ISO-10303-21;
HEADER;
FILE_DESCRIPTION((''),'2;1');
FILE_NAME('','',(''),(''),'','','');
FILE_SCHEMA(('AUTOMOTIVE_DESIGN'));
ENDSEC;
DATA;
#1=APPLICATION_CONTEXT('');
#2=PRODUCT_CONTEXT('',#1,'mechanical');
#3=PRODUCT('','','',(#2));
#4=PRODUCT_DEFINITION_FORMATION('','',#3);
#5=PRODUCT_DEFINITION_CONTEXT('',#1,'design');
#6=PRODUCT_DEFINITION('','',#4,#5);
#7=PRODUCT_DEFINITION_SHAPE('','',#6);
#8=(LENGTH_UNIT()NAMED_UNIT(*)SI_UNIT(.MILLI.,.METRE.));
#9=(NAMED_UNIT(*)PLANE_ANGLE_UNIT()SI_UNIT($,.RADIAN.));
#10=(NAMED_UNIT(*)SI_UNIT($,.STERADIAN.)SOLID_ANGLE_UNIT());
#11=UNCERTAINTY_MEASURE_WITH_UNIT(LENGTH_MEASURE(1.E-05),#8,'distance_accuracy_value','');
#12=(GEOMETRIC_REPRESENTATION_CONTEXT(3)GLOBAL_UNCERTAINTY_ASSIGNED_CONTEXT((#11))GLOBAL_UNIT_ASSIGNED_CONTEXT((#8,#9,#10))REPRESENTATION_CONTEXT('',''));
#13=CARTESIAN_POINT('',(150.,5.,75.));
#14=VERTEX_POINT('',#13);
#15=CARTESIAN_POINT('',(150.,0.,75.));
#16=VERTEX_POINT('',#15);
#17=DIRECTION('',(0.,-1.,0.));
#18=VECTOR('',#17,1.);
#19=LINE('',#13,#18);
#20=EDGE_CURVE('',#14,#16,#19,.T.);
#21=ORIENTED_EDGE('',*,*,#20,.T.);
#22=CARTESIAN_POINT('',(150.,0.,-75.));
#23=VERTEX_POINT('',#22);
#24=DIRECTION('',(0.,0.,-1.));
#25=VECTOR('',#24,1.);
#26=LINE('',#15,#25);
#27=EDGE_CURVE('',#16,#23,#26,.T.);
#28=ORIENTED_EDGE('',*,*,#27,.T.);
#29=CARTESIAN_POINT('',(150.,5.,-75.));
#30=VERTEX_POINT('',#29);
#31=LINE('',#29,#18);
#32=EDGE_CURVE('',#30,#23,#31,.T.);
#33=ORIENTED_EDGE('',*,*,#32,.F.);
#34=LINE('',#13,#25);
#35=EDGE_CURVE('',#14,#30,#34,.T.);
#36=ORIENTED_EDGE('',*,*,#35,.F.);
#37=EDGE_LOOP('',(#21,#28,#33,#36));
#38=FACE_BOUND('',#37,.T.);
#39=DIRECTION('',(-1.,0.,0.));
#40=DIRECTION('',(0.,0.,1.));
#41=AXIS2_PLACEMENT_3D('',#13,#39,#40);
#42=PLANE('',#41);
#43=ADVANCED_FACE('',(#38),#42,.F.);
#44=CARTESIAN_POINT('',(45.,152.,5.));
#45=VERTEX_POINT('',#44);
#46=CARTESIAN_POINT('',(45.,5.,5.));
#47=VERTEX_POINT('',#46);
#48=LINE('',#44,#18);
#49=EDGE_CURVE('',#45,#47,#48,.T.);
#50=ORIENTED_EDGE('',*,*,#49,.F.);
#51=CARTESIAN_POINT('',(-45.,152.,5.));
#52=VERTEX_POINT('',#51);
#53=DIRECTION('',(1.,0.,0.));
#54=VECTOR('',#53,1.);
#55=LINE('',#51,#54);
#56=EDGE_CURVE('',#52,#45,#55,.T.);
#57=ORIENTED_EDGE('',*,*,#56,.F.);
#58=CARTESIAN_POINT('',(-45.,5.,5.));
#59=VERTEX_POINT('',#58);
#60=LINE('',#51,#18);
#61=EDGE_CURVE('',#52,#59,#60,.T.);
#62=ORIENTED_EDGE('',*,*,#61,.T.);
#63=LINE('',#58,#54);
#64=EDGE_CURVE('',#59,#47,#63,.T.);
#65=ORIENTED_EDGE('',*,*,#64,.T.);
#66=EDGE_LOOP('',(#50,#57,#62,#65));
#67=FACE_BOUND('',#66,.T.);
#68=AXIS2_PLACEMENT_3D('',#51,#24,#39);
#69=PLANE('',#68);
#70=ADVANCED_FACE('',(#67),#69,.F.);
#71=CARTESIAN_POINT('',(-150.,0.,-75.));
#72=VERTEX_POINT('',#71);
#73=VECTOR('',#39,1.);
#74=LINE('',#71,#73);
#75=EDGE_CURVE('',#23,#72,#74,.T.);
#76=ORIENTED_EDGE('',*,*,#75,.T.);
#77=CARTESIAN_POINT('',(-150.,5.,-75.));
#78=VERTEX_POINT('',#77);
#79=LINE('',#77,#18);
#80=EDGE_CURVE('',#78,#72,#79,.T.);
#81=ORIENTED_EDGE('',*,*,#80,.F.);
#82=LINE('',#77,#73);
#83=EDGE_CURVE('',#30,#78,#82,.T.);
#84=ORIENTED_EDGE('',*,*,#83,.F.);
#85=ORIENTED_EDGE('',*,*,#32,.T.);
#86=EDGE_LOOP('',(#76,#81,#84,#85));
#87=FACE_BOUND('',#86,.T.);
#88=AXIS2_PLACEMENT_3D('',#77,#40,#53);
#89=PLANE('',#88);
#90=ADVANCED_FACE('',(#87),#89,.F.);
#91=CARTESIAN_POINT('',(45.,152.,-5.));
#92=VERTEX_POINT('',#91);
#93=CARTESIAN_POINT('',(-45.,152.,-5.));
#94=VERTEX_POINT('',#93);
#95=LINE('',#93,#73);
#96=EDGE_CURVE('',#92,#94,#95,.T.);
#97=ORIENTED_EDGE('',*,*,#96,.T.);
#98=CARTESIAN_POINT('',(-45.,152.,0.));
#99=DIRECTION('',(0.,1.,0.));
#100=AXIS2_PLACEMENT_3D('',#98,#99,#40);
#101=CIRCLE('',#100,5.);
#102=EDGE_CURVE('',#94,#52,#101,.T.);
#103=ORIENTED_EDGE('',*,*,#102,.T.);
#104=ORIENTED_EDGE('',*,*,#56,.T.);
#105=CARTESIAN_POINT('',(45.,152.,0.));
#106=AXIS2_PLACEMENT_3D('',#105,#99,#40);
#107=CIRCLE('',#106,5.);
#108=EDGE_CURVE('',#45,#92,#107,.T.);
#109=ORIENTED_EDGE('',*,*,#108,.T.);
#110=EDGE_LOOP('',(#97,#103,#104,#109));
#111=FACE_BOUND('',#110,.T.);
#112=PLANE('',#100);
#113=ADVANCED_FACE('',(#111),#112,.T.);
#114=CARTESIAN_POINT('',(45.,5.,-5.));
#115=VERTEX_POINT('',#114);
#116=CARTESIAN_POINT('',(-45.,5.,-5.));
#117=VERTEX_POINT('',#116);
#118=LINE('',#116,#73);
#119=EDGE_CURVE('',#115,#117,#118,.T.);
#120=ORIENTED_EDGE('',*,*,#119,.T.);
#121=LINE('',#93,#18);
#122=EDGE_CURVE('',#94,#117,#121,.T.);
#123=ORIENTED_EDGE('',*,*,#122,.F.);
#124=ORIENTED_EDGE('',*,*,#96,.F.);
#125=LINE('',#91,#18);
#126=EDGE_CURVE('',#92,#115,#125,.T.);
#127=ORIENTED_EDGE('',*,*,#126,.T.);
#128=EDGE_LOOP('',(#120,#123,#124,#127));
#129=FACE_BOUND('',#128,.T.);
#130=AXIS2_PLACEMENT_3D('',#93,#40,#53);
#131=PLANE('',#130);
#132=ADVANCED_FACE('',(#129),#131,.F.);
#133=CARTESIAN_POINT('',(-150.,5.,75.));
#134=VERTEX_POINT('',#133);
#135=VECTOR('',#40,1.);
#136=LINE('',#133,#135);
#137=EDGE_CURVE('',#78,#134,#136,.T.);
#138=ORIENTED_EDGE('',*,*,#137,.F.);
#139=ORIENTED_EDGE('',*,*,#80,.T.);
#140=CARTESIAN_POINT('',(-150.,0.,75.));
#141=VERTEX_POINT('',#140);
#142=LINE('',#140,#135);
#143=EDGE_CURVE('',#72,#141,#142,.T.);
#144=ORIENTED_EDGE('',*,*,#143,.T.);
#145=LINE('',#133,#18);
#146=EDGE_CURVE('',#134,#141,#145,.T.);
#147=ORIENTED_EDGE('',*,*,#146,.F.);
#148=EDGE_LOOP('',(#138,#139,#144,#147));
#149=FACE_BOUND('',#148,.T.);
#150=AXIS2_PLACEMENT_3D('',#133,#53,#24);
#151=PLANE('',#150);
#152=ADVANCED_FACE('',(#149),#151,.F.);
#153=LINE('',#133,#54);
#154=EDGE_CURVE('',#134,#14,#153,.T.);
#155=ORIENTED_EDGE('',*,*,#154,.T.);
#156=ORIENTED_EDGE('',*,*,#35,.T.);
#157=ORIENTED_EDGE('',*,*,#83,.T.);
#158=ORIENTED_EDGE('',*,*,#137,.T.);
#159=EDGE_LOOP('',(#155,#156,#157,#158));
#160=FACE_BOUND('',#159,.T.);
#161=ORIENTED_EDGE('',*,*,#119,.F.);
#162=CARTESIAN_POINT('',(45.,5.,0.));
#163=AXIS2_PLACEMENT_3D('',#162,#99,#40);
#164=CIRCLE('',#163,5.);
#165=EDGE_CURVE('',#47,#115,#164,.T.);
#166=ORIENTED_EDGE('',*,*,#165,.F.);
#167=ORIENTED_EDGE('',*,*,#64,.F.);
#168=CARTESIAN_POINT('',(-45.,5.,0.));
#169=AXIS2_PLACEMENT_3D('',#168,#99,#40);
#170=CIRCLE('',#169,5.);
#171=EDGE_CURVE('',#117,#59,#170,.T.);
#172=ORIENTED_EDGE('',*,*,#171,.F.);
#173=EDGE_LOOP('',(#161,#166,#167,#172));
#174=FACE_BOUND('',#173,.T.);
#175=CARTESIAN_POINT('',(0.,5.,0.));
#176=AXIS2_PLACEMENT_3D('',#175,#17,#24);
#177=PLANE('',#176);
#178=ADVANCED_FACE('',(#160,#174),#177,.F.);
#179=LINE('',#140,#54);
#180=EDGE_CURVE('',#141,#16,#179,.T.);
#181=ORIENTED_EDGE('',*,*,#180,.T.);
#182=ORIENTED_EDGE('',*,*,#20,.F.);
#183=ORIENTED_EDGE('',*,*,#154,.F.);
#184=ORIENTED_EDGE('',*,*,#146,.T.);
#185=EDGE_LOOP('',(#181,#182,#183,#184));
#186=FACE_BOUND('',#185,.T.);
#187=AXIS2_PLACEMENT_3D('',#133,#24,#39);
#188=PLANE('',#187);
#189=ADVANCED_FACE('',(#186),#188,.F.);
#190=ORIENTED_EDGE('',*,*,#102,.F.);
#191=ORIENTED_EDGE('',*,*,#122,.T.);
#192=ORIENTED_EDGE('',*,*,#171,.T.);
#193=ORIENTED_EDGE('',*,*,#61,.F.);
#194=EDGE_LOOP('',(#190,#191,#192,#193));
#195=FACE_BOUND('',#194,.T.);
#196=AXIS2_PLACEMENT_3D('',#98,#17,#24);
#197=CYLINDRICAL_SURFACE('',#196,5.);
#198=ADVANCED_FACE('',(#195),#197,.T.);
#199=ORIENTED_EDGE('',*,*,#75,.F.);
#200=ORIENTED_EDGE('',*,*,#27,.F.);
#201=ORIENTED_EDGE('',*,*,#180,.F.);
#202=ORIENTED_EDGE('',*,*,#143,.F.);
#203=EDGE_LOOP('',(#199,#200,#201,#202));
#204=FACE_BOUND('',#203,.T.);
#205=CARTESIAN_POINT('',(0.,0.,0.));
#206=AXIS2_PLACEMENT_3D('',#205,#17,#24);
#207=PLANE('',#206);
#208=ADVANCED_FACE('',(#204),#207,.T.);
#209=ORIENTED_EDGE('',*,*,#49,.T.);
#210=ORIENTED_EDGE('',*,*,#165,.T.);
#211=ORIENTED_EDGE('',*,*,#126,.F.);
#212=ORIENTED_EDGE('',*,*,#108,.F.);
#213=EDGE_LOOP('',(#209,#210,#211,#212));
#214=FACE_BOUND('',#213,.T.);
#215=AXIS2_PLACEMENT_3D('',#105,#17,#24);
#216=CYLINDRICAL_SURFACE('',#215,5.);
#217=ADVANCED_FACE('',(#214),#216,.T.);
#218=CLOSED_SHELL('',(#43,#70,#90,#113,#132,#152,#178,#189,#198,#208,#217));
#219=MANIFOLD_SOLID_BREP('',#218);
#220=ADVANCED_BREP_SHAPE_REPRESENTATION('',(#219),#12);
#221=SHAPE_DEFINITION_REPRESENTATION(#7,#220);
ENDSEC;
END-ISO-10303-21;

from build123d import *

# Parameters (mm, degrees)
SKETCH1_W           = 300
SKETCH1_H           = 150
BOSS_EXTRUDE1_DEPTH = 5
BOSS_EXTRUDE2_DEPTH = 147


with BuildPart() as part:
    # Sketch1 → Boss-Extrude1 (new body)
    with BuildSketch(Plane(origin=(0, 0, 0), x_dir=(1, 0, 0), z_dir=(0, 1, 0))):
        Rectangle(SKETCH1_W, SKETCH1_H)
    extrude(amount=BOSS_EXTRUDE1_DEPTH)

    # Sketch2 → Boss-Extrude2 (add)
    with BuildSketch(Plane(origin=(0, 5, 0), x_dir=(1, 0, 0), z_dir=(0, 1, 0))):
        with BuildLine():
            Line((-45, 5), (45, 5))
            ThreePointArc((45, 5), (50, 0), (45, -5))
            Line((45, -5), (-45, -5))
            ThreePointArc((-45, -5), (-50, 0), (-45, 5))
        make_face()
    extrude(amount=BOSS_EXTRUDE2_DEPTH)


solid = part.part
